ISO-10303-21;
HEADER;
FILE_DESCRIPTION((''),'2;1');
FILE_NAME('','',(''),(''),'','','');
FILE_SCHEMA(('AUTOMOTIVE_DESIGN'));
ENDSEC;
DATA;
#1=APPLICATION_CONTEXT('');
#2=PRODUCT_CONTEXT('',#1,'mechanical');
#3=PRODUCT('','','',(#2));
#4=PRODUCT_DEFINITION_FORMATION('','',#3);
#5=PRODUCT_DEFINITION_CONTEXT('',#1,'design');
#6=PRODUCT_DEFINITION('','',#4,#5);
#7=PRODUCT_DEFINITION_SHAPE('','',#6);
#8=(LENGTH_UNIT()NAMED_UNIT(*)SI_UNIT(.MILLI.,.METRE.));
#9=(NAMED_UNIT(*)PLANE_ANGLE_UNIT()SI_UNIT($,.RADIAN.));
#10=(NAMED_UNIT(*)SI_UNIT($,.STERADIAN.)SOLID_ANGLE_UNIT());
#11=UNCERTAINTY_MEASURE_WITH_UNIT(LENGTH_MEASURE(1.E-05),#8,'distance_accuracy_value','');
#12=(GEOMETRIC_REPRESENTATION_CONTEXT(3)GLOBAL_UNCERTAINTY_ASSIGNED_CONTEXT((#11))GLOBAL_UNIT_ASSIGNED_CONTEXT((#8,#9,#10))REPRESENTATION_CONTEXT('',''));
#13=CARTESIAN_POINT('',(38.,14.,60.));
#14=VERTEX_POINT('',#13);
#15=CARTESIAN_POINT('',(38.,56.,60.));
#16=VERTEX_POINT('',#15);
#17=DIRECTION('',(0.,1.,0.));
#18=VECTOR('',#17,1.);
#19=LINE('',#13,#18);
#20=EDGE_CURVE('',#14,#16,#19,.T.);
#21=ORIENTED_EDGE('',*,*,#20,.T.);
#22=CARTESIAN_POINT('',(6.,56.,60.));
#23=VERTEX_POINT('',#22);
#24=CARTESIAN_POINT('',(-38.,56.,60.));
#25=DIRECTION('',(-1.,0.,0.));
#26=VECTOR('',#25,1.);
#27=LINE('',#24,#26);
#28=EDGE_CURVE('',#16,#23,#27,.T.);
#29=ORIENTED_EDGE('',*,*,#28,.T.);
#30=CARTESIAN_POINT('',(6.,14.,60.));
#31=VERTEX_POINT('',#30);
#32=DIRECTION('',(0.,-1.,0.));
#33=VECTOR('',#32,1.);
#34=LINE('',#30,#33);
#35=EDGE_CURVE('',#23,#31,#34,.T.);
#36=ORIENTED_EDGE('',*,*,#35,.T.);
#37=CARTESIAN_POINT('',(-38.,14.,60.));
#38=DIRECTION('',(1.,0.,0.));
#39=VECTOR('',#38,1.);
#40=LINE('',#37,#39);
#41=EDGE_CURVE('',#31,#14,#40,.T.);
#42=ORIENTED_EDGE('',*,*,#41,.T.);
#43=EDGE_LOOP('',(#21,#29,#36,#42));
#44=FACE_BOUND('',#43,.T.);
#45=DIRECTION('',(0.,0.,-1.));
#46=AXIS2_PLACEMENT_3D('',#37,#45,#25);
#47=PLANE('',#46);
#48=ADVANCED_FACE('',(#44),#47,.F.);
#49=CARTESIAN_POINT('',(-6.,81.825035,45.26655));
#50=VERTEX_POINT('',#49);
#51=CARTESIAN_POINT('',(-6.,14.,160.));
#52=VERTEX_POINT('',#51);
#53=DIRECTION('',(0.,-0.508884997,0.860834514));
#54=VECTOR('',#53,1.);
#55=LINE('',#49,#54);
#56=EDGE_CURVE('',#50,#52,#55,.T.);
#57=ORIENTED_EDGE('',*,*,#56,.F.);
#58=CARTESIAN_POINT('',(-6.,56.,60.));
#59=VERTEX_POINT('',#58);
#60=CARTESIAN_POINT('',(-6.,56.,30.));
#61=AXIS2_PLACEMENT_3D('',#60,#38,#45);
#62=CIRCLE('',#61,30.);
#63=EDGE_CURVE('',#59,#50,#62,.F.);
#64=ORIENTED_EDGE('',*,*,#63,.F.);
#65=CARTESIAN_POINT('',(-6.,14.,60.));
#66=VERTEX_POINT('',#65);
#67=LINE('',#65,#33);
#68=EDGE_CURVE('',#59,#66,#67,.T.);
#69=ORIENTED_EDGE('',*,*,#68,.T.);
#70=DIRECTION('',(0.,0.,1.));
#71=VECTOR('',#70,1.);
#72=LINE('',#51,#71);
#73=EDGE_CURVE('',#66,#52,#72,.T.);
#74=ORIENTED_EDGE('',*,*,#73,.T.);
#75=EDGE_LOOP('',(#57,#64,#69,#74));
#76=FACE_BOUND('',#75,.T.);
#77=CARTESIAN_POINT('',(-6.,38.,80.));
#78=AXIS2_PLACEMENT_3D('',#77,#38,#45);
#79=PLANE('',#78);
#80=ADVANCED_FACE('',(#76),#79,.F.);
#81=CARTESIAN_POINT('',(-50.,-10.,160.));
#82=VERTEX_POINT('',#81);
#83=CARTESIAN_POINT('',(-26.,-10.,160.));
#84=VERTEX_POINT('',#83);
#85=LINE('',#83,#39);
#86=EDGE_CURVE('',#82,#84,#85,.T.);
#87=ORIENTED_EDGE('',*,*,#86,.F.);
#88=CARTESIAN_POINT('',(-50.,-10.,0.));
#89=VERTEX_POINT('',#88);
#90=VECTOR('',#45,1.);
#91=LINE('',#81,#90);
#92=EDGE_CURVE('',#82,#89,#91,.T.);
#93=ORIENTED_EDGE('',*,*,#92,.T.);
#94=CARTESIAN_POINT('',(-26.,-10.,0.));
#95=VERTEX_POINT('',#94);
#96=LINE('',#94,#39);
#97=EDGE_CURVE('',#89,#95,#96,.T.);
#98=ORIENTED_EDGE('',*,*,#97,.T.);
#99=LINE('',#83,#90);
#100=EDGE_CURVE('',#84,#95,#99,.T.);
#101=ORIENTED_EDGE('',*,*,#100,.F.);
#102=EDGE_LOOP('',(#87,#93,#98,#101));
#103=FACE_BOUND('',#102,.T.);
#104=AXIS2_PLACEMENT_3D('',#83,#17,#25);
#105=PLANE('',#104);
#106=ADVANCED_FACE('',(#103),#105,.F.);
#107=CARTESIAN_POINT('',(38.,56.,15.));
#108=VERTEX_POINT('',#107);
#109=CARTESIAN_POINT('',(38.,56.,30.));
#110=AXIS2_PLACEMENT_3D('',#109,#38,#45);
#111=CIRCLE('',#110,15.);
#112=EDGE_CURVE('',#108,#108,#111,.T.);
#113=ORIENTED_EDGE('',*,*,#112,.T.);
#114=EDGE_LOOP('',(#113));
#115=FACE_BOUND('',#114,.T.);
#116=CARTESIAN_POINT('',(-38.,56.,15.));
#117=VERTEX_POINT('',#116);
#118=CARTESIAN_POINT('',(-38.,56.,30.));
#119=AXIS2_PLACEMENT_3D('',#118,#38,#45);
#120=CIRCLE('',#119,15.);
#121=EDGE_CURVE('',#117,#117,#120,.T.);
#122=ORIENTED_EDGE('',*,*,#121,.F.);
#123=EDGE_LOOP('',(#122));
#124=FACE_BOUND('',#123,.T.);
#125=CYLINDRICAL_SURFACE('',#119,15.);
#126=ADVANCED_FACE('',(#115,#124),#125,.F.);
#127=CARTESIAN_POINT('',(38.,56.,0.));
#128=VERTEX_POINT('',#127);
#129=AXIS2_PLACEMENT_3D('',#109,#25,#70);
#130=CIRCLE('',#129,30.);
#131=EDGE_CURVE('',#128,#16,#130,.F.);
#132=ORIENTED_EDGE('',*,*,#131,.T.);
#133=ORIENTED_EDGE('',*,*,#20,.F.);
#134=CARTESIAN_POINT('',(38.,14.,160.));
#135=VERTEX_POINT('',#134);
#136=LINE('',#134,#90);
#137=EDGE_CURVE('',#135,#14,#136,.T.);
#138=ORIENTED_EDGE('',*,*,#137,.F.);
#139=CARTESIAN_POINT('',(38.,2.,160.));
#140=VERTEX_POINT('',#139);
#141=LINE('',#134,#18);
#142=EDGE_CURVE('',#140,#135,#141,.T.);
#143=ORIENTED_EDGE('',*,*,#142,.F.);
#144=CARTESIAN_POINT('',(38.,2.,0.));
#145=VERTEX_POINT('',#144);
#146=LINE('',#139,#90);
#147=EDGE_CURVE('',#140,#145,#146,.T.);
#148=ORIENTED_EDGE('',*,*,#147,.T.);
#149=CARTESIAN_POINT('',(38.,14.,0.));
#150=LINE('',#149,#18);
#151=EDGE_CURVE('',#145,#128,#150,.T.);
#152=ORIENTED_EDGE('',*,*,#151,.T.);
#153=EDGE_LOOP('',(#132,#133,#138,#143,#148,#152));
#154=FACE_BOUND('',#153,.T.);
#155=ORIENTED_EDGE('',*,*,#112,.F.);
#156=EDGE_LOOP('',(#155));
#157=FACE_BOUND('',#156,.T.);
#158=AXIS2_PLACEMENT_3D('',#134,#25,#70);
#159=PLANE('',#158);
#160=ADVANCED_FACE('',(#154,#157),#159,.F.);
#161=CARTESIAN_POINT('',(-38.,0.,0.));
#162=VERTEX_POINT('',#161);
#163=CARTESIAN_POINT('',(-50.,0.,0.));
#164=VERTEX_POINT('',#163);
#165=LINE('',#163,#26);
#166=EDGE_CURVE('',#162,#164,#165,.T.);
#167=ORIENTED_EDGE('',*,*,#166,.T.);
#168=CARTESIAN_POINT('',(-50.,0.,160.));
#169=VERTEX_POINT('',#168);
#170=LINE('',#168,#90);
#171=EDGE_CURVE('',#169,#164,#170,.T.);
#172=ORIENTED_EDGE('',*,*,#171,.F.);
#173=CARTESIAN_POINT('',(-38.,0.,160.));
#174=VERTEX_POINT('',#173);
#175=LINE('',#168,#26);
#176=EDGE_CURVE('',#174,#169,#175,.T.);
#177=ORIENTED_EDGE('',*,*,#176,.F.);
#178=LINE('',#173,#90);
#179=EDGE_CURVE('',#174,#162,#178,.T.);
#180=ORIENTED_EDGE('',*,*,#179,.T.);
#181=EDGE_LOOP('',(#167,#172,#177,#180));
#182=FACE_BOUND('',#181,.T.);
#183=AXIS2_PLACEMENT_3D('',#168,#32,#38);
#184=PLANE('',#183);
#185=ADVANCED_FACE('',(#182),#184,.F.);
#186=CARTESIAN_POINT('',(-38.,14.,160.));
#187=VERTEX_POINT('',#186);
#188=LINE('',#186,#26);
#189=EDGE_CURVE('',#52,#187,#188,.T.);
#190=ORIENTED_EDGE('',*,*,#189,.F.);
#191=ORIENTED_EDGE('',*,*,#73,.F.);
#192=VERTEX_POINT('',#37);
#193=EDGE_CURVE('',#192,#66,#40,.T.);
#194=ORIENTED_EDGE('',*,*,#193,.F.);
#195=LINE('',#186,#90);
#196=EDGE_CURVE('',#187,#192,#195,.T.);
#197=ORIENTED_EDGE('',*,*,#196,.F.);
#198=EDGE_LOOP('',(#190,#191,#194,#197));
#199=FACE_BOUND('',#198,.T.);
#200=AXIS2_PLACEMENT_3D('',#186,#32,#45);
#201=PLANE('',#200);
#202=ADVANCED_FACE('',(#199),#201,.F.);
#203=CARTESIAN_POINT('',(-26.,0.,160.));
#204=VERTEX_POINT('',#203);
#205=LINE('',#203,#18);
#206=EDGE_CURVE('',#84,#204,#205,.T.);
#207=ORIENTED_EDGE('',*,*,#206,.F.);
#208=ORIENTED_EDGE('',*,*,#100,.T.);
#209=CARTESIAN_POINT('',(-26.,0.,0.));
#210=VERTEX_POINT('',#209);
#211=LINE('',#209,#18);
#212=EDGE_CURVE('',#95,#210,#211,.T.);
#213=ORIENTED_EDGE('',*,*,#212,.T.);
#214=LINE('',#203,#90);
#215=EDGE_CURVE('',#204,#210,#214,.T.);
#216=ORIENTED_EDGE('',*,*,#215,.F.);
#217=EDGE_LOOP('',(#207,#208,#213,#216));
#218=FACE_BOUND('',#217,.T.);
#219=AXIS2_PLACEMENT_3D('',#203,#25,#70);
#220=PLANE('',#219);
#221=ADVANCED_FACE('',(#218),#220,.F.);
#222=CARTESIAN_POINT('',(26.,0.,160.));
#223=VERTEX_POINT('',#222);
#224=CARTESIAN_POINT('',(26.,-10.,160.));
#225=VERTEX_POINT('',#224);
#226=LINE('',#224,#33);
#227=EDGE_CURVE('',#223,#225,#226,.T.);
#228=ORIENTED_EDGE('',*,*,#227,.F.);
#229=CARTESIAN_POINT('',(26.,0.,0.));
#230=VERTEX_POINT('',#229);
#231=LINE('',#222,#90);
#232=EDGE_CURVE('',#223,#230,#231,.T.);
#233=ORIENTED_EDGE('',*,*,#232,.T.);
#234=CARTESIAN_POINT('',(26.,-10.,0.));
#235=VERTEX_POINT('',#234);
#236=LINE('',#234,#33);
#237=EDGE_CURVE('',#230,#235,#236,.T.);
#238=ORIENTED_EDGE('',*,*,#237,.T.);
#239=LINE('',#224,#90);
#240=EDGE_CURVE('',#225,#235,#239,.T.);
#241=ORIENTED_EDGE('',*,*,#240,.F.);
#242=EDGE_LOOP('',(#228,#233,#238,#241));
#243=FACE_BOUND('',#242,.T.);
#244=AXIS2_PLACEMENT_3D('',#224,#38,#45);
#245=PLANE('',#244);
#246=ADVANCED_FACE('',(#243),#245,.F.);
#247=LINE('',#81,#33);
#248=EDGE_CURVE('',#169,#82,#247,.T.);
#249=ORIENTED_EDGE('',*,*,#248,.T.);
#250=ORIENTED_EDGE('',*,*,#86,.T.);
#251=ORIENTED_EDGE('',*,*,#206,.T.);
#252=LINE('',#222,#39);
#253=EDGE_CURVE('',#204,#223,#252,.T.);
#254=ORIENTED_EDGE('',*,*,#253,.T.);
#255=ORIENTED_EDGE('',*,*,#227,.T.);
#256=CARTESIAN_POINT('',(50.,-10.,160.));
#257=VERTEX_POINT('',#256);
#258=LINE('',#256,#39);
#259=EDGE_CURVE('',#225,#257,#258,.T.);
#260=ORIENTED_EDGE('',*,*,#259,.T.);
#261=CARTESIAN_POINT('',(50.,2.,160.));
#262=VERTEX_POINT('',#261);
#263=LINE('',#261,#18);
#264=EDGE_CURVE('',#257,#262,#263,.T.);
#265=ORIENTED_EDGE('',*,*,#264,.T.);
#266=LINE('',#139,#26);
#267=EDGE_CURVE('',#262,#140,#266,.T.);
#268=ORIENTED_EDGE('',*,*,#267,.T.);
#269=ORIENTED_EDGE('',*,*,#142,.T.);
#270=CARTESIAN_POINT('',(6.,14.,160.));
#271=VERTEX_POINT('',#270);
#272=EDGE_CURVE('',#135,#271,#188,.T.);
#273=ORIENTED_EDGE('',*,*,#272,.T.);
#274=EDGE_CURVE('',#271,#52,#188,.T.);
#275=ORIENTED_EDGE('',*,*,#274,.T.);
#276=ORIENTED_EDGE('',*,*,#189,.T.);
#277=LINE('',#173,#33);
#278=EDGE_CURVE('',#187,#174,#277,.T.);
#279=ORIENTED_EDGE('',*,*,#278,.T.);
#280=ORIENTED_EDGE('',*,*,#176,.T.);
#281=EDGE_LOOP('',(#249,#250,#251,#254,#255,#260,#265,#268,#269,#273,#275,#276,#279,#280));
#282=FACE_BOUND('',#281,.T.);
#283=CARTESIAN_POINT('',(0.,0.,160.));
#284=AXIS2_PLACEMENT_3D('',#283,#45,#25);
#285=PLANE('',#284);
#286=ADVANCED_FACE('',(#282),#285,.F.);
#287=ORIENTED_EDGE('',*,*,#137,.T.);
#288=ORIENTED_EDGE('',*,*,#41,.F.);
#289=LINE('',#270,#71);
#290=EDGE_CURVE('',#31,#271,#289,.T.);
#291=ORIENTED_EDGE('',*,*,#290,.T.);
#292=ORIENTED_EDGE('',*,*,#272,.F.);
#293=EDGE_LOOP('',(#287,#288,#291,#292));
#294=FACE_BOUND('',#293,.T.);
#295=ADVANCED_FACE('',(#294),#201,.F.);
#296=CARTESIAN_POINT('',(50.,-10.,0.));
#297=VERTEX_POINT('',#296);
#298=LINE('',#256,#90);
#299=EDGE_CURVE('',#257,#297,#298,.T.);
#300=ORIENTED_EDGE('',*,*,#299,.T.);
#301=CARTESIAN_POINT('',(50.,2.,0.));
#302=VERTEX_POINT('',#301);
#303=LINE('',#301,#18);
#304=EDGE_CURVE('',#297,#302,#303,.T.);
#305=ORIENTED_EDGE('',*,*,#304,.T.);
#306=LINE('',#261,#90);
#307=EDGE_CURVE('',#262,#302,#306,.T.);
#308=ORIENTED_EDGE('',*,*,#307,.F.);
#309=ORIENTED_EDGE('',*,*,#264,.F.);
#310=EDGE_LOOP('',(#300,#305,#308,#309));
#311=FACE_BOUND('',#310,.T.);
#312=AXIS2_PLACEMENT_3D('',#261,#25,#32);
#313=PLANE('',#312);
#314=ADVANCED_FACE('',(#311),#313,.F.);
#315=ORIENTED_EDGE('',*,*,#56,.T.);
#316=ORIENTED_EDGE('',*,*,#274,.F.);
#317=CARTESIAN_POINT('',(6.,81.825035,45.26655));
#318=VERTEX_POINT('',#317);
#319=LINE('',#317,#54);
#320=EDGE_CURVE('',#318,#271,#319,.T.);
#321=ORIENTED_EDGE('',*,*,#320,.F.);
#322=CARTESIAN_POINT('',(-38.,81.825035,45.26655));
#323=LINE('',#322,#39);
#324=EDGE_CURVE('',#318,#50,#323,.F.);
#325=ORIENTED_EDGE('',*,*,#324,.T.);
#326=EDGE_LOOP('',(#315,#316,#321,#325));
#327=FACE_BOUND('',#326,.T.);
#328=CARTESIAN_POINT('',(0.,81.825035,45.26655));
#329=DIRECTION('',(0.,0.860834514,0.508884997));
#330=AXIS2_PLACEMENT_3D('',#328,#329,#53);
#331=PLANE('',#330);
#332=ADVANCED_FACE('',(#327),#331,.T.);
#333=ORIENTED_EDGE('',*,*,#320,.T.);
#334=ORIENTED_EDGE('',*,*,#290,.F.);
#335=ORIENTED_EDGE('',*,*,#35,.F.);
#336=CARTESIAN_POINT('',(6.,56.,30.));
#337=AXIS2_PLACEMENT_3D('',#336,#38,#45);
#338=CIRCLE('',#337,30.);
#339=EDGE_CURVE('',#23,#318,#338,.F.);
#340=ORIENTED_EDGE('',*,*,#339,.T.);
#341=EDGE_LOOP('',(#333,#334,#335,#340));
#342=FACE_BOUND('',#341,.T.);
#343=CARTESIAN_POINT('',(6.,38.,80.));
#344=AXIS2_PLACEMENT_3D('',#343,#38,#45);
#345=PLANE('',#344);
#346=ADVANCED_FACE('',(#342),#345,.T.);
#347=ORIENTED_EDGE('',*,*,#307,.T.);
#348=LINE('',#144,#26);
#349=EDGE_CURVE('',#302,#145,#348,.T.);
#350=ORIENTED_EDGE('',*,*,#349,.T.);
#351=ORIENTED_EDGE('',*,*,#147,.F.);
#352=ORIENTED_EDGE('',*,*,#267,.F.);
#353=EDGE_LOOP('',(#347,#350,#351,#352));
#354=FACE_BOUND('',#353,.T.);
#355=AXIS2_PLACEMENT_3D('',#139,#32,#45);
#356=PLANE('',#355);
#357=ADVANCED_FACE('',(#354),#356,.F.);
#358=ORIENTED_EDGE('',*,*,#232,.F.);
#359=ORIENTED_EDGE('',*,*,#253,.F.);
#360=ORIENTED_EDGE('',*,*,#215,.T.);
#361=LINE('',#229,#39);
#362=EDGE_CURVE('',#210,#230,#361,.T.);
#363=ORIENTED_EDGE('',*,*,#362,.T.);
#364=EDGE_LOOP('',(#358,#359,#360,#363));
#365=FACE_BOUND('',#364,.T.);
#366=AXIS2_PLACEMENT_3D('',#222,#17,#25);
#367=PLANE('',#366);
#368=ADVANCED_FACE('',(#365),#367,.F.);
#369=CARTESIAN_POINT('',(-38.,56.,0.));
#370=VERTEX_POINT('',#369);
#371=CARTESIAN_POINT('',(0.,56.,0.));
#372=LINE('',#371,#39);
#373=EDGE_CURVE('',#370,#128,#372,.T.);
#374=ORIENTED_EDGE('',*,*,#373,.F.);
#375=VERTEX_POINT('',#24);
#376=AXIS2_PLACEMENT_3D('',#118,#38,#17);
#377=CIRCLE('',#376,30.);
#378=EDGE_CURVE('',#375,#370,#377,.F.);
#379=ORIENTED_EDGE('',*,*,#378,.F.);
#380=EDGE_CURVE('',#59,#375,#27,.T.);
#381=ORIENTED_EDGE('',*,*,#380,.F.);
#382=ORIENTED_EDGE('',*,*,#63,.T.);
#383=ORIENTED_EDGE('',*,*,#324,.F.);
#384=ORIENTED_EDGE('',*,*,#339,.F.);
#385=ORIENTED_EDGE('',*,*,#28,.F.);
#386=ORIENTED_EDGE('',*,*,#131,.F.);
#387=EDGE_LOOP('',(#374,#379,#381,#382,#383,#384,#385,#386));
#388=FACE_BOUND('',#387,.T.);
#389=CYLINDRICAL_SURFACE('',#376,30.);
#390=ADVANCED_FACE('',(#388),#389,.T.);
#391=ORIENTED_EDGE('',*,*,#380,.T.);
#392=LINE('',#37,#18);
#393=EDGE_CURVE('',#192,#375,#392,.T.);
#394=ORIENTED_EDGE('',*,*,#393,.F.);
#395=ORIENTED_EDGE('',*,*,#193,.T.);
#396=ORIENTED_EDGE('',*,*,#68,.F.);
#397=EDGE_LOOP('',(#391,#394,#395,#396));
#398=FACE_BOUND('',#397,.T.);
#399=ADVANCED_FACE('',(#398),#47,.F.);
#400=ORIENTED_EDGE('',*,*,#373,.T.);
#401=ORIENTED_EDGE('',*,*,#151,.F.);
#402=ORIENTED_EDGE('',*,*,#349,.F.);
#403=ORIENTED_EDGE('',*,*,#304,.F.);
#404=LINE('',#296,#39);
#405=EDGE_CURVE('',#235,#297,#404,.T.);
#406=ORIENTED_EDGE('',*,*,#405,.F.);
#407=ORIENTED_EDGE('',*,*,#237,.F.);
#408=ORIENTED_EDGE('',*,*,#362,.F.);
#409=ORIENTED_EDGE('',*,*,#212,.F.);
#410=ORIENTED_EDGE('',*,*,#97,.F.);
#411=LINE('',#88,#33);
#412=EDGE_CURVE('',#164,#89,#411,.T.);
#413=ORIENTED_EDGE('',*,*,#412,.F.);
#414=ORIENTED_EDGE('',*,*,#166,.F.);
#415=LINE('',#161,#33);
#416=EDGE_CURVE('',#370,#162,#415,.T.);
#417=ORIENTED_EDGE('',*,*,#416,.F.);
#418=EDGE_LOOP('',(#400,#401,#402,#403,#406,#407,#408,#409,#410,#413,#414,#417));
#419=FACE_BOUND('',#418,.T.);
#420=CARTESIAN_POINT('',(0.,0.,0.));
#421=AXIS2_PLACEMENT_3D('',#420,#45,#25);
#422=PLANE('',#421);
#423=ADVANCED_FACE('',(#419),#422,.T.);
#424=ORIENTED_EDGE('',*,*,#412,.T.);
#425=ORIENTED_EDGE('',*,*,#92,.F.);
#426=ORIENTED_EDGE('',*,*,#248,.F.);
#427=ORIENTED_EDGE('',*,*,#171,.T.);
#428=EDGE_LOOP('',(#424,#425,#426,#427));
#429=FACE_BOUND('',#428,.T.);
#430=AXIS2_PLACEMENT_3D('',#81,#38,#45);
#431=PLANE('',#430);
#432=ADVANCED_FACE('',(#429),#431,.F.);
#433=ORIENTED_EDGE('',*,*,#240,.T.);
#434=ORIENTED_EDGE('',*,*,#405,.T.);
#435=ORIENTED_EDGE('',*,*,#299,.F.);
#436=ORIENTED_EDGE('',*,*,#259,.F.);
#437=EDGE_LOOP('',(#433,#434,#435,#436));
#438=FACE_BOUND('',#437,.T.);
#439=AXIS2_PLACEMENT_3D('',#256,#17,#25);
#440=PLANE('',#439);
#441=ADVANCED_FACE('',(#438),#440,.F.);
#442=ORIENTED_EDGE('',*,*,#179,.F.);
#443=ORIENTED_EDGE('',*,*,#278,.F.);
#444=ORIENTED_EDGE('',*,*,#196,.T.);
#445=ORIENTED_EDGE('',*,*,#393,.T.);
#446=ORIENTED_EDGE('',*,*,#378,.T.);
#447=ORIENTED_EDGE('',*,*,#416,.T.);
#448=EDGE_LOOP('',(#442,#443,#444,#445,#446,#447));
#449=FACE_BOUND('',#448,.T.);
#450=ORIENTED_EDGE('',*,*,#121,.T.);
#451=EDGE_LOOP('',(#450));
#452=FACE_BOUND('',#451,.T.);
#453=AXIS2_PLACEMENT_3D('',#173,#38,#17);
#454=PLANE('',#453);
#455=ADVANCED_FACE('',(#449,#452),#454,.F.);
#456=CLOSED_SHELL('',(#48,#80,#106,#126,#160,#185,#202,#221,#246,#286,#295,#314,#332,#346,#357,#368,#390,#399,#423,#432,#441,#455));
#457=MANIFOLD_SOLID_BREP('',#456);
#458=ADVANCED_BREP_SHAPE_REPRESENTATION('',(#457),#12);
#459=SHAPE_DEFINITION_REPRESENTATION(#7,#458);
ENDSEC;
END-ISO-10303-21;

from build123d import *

# Parameters (mm, degrees)
BOSS_EXTRUDE1_DEPTH = 160
BOSS_EXTRUDE2_START = -12
SKETCH2_W           = 60
SKETCH2_H           = 72
BOSS_EXTRUDE2_DEPTH = 76
FILLET1_RADIUS      = 30
FILLET1_LENGTH      = 76
SKETCH3_R           = 15
CUT_EXTRUDE1_DEPTH  = 76
RIB1_REACH          = 190.404
SKETCH4_WALL_W      = 512.089299886
SKETCH4_WALL_H      = 12


with BuildPart() as part:
    # Sketch1 → Boss-Extrude1 (new body)
    with BuildSketch(Plane.XY):
        Polygon((26, 0), (-26, 0), (-26, -10), (-50, -10), (-50, 0), (-38, 0), (-38, 14), (38, 14), (38, 2), (50, 2), (50, -10), (26, -10), align=None)
    extrude(amount=BOSS_EXTRUDE1_DEPTH)

    # Sketch2 → Boss-Extrude2 (add)
    with BuildSketch(Plane(origin=(50, 0, 0), x_dir=(0, 0, -1), z_dir=(1, 0, 0)).offset(BOSS_EXTRUDE2_START)):
        with Locations((-30, 50)):
            Rectangle(SKETCH2_W, SKETCH2_H)
    extrude(amount=-BOSS_EXTRUDE2_DEPTH)

    # Fillet1: full round fillet: the end face becomes a half cylinder, R = half its width
    fillet1_face = Plane((0, 86, 30), x_dir=(1, 0, 0), z_dir=(0, 1, 0))  # on the end face: x along it, z out of the body
    fillet1_slab = fillet1_face.offset(-FILLET1_RADIUS / 2) * Box(FILLET1_LENGTH, 2 * FILLET1_RADIUS, FILLET1_RADIUS, mode=Mode.PRIVATE)  # the body's end, R deep
    fillet1_round = Plane((0, 56, 30), x_dir=(0, 1, 0), z_dir=(1, 0, 0)) * Cylinder(FILLET1_RADIUS, FILLET1_LENGTH, mode=Mode.PRIVATE)  # its axis R under the face
    add(fillet1_slab - fillet1_round, mode=Mode.SUBTRACT)

    # Sketch3 → Cut-Extrude1 (cut)
    with BuildSketch(Plane(origin=(38, 0, 0), x_dir=(0, 0, -1), z_dir=(1, 0, 0))):
        with Locations((-30, 56)):
            Circle(SKETCH3_R)
    extrude(amount=-CUT_EXTRUDE1_DEPTH, mode=Mode.SUBTRACT)

    # Sketch4 wall → Rib1 (add, up to next)
    with BuildSketch(Plane(origin=(0, 47.912517706, 102.633274951), x_dir=(0, -0.508884996756, 0.860834513758), z_dir=(0, -0.860834513758, -0.508884996756)), mode=Mode.PRIVATE) as rib1_sk1:
        Rectangle(SKETCH4_WALL_W, SKETCH4_WALL_H)
    rib1_tool1 = extrude(rib1_sk1.sketch, amount=RIB1_REACH, mode=Mode.PRIVATE) - part.part
    add(rib1_tool1.solids().sort_by_distance((0, 47.912517706, 102.633274951))[0])


solid = part.part
